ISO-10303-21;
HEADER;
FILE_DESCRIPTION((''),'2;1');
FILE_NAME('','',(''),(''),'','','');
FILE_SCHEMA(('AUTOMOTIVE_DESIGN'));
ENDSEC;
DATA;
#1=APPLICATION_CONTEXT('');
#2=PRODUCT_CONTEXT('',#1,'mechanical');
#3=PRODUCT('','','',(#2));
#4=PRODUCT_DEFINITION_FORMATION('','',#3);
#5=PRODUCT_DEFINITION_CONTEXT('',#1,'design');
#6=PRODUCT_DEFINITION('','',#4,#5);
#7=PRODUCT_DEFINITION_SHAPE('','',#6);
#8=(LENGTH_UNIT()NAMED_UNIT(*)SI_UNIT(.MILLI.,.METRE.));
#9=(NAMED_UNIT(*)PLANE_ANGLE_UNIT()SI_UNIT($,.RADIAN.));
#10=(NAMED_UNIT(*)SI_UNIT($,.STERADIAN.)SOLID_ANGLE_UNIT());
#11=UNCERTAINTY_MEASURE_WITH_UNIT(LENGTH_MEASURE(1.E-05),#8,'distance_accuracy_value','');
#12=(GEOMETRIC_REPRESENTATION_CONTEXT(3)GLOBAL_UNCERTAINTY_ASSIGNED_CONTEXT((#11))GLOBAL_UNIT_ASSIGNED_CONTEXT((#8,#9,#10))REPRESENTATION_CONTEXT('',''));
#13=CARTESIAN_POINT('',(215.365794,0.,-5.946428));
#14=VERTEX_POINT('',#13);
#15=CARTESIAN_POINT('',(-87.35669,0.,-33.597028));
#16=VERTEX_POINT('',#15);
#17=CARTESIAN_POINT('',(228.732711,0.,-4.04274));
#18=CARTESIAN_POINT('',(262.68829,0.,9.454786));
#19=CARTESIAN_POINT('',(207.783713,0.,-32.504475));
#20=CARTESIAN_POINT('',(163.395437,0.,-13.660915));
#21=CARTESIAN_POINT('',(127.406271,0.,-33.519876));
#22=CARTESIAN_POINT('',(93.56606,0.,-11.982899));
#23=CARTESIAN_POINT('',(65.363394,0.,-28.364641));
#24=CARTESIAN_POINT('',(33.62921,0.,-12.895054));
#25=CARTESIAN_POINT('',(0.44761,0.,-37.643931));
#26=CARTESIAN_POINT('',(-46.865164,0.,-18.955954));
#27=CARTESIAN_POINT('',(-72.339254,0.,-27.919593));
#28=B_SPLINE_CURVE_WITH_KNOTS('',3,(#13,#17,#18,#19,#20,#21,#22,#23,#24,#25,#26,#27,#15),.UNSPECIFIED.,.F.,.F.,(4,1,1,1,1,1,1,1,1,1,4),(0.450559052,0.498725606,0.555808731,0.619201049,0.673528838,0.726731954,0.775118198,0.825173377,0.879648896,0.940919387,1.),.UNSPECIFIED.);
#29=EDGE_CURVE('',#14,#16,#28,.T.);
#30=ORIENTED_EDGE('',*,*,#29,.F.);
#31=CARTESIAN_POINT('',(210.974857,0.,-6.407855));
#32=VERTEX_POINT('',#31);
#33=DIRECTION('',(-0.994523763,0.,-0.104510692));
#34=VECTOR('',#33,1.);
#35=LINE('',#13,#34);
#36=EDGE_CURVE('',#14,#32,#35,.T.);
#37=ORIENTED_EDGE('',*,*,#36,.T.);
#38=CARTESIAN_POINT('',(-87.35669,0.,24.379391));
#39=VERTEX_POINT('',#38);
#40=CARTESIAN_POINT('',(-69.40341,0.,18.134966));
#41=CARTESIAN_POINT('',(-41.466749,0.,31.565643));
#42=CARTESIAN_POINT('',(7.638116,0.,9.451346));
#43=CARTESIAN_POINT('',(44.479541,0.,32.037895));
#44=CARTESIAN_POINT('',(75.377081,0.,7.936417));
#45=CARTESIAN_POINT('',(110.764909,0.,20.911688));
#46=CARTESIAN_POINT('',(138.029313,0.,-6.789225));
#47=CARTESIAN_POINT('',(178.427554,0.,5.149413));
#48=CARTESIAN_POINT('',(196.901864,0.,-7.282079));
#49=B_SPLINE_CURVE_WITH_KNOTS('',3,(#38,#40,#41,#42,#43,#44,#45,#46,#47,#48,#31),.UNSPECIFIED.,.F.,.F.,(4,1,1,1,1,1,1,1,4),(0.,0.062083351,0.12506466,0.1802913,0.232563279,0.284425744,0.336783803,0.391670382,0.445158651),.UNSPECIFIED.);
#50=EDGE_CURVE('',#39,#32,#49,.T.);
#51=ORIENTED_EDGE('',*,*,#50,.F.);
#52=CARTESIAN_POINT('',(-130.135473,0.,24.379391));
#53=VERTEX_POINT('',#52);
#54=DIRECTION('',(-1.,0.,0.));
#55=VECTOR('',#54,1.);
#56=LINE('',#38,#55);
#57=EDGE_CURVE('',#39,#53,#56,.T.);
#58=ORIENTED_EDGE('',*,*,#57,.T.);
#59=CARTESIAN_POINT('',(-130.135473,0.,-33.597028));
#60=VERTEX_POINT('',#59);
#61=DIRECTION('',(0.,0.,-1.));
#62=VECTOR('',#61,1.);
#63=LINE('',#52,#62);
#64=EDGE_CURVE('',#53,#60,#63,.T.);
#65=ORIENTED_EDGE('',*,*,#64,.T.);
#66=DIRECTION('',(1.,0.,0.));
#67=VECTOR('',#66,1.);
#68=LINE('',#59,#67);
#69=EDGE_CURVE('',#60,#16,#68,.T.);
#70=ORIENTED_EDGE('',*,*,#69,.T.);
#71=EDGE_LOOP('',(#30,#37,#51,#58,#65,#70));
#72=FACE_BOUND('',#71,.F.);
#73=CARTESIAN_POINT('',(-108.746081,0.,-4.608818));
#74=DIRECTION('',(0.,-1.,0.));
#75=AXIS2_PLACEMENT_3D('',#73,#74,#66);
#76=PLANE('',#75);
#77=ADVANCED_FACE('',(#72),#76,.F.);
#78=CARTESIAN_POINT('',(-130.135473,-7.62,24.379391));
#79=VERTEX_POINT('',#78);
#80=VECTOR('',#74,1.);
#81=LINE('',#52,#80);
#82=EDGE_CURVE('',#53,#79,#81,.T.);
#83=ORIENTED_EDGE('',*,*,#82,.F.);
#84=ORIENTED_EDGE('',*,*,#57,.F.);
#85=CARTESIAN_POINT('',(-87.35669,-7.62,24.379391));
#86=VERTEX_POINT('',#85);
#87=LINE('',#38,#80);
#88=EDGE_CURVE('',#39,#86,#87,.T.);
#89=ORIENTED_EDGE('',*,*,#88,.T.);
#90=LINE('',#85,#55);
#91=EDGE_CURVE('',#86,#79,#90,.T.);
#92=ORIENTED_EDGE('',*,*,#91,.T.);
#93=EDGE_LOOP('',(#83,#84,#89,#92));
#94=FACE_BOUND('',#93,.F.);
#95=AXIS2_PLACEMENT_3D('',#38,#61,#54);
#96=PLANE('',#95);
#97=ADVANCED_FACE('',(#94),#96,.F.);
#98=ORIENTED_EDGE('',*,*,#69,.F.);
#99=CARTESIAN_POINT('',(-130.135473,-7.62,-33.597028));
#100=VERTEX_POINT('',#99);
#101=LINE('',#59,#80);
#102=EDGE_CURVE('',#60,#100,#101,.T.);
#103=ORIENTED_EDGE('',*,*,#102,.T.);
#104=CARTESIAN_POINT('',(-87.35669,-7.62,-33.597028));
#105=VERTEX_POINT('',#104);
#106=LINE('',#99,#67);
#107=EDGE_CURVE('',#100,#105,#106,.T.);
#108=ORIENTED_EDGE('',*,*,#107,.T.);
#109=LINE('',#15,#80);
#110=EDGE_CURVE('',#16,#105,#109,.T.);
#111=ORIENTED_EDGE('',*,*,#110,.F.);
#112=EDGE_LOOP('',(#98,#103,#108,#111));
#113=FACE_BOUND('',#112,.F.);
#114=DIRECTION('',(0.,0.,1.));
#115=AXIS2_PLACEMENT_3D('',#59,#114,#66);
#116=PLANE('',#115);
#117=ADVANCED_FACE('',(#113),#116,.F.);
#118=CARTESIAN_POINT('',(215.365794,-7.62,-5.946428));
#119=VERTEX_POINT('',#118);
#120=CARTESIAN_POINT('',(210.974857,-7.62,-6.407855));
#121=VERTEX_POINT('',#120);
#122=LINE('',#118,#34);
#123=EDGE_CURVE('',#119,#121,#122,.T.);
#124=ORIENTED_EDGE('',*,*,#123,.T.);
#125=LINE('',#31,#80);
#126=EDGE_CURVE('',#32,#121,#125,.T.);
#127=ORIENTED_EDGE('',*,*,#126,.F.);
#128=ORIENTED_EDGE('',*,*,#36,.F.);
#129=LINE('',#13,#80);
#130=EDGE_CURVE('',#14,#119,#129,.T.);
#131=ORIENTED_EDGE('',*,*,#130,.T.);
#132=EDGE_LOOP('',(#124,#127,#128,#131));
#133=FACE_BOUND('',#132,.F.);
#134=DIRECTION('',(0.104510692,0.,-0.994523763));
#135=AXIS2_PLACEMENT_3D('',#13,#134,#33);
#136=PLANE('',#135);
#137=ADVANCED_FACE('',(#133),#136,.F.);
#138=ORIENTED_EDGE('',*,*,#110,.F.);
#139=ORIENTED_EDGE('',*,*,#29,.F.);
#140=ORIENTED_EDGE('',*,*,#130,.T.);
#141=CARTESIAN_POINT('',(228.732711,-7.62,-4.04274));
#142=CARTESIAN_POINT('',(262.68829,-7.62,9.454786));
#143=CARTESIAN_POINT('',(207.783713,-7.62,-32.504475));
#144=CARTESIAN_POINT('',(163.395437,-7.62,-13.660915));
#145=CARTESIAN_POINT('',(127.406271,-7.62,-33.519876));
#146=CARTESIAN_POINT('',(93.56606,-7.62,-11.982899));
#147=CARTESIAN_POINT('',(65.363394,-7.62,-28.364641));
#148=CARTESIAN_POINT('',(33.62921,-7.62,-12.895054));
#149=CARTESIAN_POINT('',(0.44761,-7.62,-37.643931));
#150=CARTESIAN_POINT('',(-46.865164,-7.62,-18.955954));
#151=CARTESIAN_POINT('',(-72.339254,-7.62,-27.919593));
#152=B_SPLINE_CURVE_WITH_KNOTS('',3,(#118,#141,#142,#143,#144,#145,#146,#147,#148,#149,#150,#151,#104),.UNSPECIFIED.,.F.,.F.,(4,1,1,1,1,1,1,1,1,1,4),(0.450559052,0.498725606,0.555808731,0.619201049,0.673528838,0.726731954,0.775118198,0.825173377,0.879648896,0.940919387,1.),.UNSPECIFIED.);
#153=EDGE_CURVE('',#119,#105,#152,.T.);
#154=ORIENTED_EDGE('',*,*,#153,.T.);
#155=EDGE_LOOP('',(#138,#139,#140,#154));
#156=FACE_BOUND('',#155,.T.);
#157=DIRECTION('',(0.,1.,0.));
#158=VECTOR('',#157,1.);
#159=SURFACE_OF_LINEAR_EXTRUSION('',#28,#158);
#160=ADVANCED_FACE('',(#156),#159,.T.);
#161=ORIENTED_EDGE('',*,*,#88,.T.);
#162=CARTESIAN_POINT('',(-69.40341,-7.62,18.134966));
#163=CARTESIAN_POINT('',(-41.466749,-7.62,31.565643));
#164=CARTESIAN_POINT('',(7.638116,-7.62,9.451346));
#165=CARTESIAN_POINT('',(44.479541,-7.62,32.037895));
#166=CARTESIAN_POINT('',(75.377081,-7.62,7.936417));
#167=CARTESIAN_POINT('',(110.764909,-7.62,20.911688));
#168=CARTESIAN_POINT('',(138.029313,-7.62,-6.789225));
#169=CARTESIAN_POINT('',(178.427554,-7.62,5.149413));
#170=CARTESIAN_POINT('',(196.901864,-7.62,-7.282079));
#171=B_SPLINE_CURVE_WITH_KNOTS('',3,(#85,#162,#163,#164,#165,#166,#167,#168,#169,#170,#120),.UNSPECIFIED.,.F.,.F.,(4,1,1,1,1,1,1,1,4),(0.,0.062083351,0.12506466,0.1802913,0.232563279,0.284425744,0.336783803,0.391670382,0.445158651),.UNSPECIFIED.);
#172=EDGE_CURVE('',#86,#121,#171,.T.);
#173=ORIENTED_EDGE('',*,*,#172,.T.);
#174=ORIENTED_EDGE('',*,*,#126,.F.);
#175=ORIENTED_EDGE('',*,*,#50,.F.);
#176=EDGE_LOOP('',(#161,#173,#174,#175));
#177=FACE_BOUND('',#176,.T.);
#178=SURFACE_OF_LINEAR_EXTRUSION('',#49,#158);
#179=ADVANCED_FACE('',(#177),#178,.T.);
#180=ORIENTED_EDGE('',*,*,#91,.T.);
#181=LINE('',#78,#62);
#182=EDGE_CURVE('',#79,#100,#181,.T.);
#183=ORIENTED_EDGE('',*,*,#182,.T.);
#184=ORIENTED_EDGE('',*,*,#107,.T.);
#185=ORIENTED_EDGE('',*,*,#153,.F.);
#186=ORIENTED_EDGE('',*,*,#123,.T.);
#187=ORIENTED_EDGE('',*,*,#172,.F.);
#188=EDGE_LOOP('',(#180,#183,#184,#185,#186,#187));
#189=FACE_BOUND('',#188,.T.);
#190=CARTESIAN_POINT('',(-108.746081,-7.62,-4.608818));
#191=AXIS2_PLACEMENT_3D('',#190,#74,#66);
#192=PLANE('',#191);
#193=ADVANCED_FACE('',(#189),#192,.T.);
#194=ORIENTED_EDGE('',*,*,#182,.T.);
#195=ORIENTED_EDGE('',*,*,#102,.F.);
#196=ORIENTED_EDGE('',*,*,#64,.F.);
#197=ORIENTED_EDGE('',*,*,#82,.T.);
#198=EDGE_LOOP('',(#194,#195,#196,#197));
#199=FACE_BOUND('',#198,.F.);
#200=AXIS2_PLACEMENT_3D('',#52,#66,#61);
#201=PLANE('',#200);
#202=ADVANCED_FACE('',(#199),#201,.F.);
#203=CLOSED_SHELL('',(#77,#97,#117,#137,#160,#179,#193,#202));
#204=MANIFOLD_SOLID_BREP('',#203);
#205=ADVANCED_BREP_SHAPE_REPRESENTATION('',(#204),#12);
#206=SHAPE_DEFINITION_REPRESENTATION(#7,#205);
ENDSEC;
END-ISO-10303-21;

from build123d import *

# Parameters (mm, degrees)
F1_DEPTH = 7.62


with BuildPart() as f1:
    # F0 (on Front) → F1 (new body)
    with BuildSketch(Plane.XZ):
        Polygon((-87.3566900936, 24.3793912232), (-130.1354726401, 24.3793912232), (-130.1354726401, 0), (-130.1354726401, -18.9905874431), (-130.1354726401, -33.5970278829), (-87.3566900936, -33.5970278829), align=None)
        with BuildLine():
            add(Edge.make_bspline(
                [(-87.3566900936, 24.3793912232), (-69.4034103706, 18.1349657667), (-41.4667494618, 31.5656433046), (7.6381158197, 9.4513459933), (44.4795412986, 32.0378952505), (75.3770812934, 7.9364170704), (110.7649094387, 20.9116876821), (138.0293125859, -6.7892248925), (178.4275538516, 5.1494129016), (196.9018641413, -7.2820785177), (210.9748572111, -6.4078550786)],
                knots=[0, 0, 0, 0, 0.0620833506, 0.1250646596, 0.1802912998, 0.2325632788, 0.2844257443, 0.3367838025, 0.3916703824, 0.4451586512, 0.4451586512, 0.4451586512, 0.4451586512], degree=3))
            Line((-87.3566900936, 24.3793912232), (-87.3566900936, -33.5970278829))
            add(Edge.make_bspline(
                [(215.3657938969, -5.9464283669), (228.7327105355, -4.0427402023), (262.6882900947, 9.4547860101), (207.7837130199, -32.504475395), (163.3954368004, -13.6609146197), (127.4062711613, -33.519876469), (93.5660595696, -11.9828986932), (65.3633939293, -28.3646407153), (33.629209722, -12.8950538461), (0.4476101762, -37.6439313558), (-46.8651643357, -18.9559544616), (-72.3392538457, -27.9195932976), (-87.3566900936, -33.5970278829)],
                knots=[0.4505590516, 0.4505590516, 0.4505590516, 0.4505590516, 0.498725606, 0.5558087309, 0.6192010486, 0.673528838, 0.7267319544, 0.775118198, 0.8251733767, 0.8796488963, 0.9409193869, 1, 1, 1, 1], degree=3))
            add(Edge.make_bspline(
                [(210.9748572111, -6.4078550786), (212.3957257179, -6.3195898072), (213.867104566, -6.1598685505), (215.3657938969, -5.9464283669)],
                knots=[0.4451586512, 0.4451586512, 0.4451586512, 0.4451586512, 0.4505590516, 0.4505590516, 0.4505590516, 0.4505590516], degree=3))
        make_face()
        with BuildLine():
            Line((215.3657938969, -5.9464283669), (210.9748572111, -6.4078550786))
            add(Edge.make_bspline(
                [(210.9748572111, -6.4078550786), (212.3957257179, -6.3195898072), (213.867104566, -6.1598685505), (215.3657938969, -5.9464283669)],
                knots=[0.4451586512, 0.4451586512, 0.4451586512, 0.4451586512, 0.4505590516, 0.4505590516, 0.4505590516, 0.4505590516], degree=3))
        make_face()
    extrude(amount=F1_DEPTH)


solid = f1.part
